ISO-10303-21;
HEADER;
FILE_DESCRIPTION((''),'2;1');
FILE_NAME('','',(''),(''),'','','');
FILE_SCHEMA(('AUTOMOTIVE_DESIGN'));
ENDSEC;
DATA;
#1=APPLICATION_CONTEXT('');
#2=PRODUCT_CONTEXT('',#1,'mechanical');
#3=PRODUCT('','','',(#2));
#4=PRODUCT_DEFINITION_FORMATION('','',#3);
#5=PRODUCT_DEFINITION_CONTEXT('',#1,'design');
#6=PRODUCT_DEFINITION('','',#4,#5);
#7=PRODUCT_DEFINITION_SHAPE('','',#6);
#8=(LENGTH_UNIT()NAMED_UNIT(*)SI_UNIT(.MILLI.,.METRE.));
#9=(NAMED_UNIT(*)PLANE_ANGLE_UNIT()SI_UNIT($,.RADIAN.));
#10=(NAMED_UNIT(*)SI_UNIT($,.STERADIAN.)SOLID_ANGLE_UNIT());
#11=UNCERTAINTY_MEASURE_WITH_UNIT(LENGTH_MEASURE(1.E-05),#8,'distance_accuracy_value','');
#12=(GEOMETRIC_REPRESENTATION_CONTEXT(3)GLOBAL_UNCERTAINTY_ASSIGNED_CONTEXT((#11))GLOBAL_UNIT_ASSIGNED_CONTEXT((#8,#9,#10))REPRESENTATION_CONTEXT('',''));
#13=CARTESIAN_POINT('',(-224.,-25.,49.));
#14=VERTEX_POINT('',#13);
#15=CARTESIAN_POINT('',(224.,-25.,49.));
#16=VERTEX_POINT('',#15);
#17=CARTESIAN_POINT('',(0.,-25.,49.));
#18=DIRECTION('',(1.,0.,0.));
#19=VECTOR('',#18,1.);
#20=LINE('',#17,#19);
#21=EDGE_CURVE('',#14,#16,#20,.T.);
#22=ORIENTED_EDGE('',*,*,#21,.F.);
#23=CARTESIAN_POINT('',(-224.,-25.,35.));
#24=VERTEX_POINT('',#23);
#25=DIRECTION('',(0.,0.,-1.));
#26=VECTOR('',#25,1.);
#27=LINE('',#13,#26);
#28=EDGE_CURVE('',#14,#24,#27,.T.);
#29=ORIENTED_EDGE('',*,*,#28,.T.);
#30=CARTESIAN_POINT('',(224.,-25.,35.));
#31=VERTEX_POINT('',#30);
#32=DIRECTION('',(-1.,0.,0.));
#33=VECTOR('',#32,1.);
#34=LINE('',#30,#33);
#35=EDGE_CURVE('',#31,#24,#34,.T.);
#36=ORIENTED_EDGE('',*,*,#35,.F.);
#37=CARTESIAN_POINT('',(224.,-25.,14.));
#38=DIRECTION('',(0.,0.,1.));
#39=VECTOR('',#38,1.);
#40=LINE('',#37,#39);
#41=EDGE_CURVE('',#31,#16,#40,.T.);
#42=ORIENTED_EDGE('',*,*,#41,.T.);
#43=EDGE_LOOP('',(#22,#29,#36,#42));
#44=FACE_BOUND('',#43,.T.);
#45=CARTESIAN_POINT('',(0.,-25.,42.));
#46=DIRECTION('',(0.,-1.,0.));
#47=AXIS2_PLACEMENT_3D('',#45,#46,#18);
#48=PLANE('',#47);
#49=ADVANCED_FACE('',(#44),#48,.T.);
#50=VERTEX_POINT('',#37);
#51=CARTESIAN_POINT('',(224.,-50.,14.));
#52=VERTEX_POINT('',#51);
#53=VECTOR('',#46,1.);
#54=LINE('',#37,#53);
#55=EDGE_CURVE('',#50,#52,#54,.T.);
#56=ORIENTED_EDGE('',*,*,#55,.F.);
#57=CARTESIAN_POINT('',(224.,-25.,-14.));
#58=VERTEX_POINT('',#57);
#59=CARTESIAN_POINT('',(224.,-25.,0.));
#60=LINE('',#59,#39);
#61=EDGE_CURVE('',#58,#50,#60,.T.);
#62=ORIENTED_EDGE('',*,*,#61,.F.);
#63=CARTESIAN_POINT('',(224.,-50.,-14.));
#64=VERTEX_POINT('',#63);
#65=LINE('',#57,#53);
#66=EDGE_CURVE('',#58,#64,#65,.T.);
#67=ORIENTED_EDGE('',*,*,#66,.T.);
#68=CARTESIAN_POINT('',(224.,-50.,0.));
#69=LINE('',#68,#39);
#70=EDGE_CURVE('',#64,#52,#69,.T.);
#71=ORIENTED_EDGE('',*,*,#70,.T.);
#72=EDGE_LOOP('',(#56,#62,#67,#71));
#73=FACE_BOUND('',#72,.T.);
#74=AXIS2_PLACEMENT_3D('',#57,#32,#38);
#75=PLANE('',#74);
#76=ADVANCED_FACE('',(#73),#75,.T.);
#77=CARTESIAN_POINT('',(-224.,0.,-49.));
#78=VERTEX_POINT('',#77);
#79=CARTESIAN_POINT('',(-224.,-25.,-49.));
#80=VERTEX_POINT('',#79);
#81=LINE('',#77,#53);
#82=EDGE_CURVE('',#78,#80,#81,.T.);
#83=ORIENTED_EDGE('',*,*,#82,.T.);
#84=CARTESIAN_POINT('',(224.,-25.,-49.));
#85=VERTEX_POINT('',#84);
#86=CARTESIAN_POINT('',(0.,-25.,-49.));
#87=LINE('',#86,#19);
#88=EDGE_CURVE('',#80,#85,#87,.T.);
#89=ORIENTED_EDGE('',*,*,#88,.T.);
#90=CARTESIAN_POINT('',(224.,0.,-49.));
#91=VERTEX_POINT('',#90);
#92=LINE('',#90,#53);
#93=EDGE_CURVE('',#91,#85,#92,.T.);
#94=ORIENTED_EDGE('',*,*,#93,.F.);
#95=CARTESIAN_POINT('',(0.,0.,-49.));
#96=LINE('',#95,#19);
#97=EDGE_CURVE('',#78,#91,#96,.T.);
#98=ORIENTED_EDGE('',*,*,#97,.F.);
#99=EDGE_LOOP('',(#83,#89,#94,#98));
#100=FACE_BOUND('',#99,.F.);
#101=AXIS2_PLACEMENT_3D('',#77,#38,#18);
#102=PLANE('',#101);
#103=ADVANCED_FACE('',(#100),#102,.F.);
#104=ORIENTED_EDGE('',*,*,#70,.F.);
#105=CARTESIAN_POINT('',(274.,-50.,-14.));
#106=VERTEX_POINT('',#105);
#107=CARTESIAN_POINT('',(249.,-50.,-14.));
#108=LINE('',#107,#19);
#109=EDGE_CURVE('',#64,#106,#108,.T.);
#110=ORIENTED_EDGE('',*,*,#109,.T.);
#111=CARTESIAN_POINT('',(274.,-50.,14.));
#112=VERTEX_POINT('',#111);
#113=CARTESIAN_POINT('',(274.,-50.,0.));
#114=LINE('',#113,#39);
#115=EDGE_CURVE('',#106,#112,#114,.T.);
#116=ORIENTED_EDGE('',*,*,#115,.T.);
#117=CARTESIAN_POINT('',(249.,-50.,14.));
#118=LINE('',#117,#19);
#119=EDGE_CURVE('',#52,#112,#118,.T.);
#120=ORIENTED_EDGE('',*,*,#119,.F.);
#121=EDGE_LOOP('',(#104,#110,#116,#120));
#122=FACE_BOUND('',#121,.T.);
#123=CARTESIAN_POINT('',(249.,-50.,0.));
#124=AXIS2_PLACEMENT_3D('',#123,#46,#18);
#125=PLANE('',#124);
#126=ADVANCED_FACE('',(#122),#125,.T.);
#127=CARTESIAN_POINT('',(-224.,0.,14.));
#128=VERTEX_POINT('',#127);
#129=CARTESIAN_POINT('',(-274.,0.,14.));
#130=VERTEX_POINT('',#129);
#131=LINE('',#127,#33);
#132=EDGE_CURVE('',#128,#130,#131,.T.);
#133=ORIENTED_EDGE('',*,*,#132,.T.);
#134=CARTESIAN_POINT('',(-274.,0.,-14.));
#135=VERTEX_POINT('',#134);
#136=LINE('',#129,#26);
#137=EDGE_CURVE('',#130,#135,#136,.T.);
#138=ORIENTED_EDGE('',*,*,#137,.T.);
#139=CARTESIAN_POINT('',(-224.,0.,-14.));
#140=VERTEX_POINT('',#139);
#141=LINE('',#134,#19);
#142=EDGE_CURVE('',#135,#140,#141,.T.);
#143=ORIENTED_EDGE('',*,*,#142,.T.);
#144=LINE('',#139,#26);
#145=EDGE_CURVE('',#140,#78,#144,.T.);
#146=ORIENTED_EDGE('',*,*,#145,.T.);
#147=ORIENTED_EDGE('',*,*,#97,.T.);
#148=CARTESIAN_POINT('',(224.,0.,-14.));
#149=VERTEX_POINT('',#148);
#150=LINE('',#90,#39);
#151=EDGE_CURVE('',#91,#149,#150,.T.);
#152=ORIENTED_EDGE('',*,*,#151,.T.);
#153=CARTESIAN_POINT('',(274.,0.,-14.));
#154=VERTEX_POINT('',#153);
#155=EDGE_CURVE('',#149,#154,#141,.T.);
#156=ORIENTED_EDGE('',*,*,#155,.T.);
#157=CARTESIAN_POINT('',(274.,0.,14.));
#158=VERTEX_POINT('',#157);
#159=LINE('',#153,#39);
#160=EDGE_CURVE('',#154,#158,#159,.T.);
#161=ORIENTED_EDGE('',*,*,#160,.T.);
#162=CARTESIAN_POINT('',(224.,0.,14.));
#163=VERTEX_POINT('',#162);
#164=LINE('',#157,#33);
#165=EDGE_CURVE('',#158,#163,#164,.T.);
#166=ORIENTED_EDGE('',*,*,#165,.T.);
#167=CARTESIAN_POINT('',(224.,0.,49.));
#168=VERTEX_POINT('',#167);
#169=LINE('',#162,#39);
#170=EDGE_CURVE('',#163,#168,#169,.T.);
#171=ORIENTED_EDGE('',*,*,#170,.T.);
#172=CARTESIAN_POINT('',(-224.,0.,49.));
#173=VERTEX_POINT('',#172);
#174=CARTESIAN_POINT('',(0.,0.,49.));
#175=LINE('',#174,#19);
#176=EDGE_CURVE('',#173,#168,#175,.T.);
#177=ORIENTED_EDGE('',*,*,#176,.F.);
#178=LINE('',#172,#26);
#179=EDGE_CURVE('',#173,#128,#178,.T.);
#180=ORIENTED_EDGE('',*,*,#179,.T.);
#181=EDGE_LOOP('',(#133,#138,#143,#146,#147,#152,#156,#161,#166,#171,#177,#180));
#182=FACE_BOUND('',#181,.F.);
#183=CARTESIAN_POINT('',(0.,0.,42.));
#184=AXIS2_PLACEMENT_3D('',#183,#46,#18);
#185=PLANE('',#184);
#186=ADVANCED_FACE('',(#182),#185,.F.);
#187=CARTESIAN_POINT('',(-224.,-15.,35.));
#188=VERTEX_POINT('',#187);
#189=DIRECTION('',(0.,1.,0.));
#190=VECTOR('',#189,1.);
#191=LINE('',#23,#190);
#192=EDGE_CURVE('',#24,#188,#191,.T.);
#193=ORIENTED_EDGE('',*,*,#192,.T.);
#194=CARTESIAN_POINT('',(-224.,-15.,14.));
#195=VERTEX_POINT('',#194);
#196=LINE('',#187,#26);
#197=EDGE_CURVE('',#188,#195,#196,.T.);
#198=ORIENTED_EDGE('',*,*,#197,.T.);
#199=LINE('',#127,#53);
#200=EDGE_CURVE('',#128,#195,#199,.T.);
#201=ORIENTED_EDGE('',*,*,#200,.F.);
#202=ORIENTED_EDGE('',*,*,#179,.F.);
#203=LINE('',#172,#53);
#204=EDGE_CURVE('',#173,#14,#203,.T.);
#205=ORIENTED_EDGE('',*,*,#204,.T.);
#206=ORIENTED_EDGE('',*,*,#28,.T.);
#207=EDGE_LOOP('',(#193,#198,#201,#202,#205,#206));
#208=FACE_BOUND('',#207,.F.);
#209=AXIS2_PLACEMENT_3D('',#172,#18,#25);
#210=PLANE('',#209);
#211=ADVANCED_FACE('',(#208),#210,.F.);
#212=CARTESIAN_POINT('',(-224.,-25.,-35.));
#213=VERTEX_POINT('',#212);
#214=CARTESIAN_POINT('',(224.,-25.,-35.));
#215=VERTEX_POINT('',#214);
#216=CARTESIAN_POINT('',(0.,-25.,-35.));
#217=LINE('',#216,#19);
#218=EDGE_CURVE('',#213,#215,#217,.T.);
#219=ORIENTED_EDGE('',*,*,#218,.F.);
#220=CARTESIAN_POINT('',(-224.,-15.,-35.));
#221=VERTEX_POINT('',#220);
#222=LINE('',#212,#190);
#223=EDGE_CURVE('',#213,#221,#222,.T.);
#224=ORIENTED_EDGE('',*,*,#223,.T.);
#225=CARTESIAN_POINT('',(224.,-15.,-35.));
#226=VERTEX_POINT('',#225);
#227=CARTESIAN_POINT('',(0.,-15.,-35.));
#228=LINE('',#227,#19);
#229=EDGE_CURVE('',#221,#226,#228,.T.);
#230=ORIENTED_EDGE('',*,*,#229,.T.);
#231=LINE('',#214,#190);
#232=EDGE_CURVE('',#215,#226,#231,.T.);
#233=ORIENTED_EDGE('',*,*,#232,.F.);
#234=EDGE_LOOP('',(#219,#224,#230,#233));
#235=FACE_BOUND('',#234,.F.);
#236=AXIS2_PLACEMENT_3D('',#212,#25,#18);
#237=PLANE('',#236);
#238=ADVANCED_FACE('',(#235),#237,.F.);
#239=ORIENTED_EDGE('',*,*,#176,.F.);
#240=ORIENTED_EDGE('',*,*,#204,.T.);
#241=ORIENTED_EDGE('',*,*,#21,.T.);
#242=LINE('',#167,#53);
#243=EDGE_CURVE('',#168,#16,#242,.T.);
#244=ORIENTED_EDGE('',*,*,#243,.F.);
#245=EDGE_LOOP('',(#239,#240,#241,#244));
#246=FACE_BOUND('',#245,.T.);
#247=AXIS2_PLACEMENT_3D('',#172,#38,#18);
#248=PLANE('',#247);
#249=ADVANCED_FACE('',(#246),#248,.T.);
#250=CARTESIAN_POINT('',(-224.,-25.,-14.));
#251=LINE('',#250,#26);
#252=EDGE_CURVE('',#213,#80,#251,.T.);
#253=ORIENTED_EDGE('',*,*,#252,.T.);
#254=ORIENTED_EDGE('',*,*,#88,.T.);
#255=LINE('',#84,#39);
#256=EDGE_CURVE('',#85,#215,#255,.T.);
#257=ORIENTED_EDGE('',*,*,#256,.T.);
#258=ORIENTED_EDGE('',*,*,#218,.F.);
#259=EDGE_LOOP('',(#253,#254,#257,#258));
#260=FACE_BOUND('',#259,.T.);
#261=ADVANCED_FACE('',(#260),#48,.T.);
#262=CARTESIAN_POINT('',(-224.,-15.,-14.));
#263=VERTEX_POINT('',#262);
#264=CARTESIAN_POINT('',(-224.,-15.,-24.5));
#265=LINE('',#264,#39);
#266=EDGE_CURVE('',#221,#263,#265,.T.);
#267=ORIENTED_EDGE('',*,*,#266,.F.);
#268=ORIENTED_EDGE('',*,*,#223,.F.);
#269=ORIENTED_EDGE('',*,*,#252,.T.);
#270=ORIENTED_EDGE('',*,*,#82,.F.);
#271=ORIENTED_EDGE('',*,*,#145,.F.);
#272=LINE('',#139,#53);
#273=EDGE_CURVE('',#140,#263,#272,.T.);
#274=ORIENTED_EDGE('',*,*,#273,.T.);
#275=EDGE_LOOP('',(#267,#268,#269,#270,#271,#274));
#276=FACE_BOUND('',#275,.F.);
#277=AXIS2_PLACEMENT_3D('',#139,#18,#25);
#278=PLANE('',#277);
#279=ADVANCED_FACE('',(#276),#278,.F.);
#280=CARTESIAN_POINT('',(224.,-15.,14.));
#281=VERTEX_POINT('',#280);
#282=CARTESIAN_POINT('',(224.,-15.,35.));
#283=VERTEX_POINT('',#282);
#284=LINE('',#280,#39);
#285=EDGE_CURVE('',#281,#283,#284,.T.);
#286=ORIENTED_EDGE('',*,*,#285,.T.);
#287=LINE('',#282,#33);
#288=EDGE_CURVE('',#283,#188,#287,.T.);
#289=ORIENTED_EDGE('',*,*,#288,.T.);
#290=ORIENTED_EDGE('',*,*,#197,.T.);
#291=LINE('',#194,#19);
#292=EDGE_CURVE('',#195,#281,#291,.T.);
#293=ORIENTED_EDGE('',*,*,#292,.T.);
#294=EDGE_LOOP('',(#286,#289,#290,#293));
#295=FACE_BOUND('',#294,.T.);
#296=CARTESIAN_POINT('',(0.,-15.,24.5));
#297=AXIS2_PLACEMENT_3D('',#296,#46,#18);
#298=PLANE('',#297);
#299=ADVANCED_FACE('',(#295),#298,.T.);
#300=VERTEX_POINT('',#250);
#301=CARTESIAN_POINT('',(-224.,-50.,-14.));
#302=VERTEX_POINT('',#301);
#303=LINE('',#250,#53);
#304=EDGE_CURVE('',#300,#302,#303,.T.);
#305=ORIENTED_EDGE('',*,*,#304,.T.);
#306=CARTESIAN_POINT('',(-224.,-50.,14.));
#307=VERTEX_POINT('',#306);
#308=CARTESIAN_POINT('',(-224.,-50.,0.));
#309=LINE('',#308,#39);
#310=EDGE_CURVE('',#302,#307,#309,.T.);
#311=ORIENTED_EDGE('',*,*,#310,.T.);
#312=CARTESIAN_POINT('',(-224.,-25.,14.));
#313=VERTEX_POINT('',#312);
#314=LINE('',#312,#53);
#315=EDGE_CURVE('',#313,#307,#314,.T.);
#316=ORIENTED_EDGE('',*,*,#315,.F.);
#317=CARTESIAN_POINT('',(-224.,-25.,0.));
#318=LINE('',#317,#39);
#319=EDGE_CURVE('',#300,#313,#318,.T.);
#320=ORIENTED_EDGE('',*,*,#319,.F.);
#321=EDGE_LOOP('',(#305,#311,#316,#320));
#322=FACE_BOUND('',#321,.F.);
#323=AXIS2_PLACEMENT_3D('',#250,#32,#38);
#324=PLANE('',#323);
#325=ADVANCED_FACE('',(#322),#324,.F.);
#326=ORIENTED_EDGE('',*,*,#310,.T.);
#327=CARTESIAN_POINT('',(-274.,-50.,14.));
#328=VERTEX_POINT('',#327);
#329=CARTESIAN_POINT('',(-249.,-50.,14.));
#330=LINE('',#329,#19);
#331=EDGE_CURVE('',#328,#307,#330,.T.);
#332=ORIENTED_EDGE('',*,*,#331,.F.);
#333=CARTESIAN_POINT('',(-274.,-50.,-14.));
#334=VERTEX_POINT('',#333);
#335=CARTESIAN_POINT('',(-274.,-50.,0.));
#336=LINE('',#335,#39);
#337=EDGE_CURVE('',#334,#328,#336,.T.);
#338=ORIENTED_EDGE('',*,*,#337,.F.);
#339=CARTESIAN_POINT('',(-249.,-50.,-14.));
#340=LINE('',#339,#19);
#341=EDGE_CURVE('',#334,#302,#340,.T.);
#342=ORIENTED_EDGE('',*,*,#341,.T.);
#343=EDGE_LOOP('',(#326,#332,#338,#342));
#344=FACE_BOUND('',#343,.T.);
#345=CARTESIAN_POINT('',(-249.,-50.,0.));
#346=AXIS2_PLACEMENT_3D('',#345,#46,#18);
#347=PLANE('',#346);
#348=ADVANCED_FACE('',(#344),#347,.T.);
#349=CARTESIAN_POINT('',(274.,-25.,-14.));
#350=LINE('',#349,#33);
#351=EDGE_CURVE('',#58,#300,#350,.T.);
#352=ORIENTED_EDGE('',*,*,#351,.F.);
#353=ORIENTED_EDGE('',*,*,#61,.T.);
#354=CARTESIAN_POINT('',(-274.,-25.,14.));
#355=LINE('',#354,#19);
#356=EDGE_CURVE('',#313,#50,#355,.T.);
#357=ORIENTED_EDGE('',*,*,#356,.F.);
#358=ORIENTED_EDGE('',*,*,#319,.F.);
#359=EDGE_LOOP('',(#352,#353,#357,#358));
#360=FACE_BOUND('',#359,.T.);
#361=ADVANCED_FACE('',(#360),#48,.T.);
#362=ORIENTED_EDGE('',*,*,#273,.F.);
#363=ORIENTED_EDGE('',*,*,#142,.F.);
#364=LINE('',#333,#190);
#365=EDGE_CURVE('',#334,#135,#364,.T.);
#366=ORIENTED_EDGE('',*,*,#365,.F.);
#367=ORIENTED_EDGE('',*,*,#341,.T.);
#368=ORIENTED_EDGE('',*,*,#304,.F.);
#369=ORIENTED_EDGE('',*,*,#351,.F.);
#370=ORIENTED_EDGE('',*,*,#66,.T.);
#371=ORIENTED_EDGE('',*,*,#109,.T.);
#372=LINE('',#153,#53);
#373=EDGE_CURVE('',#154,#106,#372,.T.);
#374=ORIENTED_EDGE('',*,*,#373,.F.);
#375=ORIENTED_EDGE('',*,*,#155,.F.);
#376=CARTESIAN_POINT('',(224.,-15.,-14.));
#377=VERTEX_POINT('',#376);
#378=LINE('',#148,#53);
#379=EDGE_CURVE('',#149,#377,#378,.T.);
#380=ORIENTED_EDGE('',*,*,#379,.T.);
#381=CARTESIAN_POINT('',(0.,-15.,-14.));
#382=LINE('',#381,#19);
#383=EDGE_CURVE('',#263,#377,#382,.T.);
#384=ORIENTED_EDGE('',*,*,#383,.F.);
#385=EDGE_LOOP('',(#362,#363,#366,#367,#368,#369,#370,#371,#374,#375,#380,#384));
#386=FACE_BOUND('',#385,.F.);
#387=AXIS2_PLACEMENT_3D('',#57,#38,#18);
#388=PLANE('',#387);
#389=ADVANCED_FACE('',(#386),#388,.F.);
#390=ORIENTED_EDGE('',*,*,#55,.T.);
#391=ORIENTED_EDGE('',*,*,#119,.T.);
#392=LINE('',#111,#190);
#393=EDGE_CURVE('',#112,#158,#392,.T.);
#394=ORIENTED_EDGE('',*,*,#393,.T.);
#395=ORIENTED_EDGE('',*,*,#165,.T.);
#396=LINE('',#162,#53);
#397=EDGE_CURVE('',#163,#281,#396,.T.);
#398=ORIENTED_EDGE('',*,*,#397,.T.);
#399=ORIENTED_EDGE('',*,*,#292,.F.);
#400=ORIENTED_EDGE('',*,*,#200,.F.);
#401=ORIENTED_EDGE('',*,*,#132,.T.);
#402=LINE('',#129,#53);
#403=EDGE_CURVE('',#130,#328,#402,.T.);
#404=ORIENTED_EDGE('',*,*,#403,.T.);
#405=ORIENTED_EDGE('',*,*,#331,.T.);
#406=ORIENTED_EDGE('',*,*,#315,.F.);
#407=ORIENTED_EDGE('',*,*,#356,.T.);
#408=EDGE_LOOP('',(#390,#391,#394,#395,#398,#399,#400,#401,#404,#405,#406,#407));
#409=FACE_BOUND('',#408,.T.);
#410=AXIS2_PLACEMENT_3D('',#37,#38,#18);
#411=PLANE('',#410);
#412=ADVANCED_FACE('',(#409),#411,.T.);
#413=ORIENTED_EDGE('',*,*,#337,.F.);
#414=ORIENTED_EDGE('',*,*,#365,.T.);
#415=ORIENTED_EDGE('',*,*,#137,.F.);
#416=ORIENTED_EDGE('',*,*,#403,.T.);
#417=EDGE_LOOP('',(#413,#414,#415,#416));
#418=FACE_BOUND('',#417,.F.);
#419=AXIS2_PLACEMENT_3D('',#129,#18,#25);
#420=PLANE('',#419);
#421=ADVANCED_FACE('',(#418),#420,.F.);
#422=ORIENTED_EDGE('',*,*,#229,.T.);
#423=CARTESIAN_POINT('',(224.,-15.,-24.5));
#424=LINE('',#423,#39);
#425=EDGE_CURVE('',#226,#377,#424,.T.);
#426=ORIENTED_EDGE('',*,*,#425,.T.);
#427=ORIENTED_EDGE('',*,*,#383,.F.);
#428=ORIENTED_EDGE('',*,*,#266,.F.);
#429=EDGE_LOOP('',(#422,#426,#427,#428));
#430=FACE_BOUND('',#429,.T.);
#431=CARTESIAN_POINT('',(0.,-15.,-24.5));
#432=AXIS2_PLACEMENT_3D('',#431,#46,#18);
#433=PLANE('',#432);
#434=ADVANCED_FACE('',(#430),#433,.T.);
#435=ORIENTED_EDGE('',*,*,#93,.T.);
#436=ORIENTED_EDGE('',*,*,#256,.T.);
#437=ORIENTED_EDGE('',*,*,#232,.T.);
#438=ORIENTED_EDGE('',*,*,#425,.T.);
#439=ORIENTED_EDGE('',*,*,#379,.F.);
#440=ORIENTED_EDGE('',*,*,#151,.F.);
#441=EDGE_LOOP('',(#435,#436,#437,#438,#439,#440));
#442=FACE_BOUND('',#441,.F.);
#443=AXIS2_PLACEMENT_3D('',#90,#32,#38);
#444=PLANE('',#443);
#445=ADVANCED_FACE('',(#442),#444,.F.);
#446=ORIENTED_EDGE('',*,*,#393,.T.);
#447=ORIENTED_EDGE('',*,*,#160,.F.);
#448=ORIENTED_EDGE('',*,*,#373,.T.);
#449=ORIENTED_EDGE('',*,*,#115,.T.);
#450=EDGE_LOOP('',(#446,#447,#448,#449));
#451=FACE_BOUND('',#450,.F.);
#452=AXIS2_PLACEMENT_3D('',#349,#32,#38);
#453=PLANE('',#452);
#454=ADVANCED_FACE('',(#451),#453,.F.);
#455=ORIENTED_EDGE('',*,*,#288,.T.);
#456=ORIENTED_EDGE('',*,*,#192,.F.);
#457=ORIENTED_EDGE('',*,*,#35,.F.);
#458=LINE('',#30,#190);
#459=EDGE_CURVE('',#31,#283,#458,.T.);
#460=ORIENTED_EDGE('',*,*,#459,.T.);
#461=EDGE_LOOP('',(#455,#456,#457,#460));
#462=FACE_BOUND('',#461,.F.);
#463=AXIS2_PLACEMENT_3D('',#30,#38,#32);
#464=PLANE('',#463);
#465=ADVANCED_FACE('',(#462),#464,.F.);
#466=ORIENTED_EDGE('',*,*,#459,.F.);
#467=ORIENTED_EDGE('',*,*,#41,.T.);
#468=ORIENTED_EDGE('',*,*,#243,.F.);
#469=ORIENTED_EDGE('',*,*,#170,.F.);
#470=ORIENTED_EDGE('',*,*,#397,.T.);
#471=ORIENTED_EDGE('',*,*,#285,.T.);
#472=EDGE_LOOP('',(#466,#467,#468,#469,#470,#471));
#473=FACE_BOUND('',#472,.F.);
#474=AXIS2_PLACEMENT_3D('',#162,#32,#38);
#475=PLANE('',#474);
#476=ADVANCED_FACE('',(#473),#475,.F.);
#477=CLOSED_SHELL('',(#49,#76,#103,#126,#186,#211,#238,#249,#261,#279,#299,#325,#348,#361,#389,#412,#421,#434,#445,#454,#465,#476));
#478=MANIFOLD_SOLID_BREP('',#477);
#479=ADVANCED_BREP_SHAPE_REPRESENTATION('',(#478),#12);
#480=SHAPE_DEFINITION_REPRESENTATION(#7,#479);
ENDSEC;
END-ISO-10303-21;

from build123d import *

# Parameters (mm, degrees)
F0_W     = 448
F0_H     = 14
F0_H_2   = 21
F1_DEPTH = 25
F2_W     = 448
F2_H     = 21
F3_DEPTH = 10
F4_W     = 50
F4_H     = 28
F5_DEPTH = 25


with BuildPart() as f1:
    # F0 (on Front) → F1 (new body)
    with BuildSketch(Plane.XZ):
        with Locations((0, 42)):
            Rectangle(F0_W, F0_H)
        with Locations((0, -42)):
            Rectangle(F0_W, F0_H)
        Polygon((-224, 0), (-224, 14), (-274, 14), (-274, 0), (-274, -14), (-224, -14), align=None)
        Polygon((274, 14), (224, 14), (224, 0), (224, -14), (274, -14), (274, 0), align=None)
        with Locations((0, 24.5)):
            Rectangle(F0_W, F0_H_2)
        Polygon((224, 0), (224, 14), (-224, 14), (-224, 0), (-224, -14), (224, -14), align=None)
        with Locations((0, -24.5)):
            Rectangle(F0_W, F0_H_2)
    extrude(amount=F1_DEPTH)

    # F2 (on face) → F3 (cut)
    with BuildSketch(Plane.XZ.offset(25)):
        Polygon((-224, 31.5), (-224, 14), (224, 14), (224, 35), (-224, 35), align=None)
        with Locations((0, -24.5)):
            Rectangle(F2_W, F2_H)
    extrude(amount=-F3_DEPTH, mode=Mode.SUBTRACT)

    # F4 (on face) → F5 (join)
    with BuildSketch(Plane.XZ.offset(25)):
        with Locations((249, 0)):
            Rectangle(F4_W, F4_H)
        with Locations((-249, 0)):
            Rectangle(F4_W, F4_H)
    extrude(amount=F5_DEPTH)


solid = f1.part
